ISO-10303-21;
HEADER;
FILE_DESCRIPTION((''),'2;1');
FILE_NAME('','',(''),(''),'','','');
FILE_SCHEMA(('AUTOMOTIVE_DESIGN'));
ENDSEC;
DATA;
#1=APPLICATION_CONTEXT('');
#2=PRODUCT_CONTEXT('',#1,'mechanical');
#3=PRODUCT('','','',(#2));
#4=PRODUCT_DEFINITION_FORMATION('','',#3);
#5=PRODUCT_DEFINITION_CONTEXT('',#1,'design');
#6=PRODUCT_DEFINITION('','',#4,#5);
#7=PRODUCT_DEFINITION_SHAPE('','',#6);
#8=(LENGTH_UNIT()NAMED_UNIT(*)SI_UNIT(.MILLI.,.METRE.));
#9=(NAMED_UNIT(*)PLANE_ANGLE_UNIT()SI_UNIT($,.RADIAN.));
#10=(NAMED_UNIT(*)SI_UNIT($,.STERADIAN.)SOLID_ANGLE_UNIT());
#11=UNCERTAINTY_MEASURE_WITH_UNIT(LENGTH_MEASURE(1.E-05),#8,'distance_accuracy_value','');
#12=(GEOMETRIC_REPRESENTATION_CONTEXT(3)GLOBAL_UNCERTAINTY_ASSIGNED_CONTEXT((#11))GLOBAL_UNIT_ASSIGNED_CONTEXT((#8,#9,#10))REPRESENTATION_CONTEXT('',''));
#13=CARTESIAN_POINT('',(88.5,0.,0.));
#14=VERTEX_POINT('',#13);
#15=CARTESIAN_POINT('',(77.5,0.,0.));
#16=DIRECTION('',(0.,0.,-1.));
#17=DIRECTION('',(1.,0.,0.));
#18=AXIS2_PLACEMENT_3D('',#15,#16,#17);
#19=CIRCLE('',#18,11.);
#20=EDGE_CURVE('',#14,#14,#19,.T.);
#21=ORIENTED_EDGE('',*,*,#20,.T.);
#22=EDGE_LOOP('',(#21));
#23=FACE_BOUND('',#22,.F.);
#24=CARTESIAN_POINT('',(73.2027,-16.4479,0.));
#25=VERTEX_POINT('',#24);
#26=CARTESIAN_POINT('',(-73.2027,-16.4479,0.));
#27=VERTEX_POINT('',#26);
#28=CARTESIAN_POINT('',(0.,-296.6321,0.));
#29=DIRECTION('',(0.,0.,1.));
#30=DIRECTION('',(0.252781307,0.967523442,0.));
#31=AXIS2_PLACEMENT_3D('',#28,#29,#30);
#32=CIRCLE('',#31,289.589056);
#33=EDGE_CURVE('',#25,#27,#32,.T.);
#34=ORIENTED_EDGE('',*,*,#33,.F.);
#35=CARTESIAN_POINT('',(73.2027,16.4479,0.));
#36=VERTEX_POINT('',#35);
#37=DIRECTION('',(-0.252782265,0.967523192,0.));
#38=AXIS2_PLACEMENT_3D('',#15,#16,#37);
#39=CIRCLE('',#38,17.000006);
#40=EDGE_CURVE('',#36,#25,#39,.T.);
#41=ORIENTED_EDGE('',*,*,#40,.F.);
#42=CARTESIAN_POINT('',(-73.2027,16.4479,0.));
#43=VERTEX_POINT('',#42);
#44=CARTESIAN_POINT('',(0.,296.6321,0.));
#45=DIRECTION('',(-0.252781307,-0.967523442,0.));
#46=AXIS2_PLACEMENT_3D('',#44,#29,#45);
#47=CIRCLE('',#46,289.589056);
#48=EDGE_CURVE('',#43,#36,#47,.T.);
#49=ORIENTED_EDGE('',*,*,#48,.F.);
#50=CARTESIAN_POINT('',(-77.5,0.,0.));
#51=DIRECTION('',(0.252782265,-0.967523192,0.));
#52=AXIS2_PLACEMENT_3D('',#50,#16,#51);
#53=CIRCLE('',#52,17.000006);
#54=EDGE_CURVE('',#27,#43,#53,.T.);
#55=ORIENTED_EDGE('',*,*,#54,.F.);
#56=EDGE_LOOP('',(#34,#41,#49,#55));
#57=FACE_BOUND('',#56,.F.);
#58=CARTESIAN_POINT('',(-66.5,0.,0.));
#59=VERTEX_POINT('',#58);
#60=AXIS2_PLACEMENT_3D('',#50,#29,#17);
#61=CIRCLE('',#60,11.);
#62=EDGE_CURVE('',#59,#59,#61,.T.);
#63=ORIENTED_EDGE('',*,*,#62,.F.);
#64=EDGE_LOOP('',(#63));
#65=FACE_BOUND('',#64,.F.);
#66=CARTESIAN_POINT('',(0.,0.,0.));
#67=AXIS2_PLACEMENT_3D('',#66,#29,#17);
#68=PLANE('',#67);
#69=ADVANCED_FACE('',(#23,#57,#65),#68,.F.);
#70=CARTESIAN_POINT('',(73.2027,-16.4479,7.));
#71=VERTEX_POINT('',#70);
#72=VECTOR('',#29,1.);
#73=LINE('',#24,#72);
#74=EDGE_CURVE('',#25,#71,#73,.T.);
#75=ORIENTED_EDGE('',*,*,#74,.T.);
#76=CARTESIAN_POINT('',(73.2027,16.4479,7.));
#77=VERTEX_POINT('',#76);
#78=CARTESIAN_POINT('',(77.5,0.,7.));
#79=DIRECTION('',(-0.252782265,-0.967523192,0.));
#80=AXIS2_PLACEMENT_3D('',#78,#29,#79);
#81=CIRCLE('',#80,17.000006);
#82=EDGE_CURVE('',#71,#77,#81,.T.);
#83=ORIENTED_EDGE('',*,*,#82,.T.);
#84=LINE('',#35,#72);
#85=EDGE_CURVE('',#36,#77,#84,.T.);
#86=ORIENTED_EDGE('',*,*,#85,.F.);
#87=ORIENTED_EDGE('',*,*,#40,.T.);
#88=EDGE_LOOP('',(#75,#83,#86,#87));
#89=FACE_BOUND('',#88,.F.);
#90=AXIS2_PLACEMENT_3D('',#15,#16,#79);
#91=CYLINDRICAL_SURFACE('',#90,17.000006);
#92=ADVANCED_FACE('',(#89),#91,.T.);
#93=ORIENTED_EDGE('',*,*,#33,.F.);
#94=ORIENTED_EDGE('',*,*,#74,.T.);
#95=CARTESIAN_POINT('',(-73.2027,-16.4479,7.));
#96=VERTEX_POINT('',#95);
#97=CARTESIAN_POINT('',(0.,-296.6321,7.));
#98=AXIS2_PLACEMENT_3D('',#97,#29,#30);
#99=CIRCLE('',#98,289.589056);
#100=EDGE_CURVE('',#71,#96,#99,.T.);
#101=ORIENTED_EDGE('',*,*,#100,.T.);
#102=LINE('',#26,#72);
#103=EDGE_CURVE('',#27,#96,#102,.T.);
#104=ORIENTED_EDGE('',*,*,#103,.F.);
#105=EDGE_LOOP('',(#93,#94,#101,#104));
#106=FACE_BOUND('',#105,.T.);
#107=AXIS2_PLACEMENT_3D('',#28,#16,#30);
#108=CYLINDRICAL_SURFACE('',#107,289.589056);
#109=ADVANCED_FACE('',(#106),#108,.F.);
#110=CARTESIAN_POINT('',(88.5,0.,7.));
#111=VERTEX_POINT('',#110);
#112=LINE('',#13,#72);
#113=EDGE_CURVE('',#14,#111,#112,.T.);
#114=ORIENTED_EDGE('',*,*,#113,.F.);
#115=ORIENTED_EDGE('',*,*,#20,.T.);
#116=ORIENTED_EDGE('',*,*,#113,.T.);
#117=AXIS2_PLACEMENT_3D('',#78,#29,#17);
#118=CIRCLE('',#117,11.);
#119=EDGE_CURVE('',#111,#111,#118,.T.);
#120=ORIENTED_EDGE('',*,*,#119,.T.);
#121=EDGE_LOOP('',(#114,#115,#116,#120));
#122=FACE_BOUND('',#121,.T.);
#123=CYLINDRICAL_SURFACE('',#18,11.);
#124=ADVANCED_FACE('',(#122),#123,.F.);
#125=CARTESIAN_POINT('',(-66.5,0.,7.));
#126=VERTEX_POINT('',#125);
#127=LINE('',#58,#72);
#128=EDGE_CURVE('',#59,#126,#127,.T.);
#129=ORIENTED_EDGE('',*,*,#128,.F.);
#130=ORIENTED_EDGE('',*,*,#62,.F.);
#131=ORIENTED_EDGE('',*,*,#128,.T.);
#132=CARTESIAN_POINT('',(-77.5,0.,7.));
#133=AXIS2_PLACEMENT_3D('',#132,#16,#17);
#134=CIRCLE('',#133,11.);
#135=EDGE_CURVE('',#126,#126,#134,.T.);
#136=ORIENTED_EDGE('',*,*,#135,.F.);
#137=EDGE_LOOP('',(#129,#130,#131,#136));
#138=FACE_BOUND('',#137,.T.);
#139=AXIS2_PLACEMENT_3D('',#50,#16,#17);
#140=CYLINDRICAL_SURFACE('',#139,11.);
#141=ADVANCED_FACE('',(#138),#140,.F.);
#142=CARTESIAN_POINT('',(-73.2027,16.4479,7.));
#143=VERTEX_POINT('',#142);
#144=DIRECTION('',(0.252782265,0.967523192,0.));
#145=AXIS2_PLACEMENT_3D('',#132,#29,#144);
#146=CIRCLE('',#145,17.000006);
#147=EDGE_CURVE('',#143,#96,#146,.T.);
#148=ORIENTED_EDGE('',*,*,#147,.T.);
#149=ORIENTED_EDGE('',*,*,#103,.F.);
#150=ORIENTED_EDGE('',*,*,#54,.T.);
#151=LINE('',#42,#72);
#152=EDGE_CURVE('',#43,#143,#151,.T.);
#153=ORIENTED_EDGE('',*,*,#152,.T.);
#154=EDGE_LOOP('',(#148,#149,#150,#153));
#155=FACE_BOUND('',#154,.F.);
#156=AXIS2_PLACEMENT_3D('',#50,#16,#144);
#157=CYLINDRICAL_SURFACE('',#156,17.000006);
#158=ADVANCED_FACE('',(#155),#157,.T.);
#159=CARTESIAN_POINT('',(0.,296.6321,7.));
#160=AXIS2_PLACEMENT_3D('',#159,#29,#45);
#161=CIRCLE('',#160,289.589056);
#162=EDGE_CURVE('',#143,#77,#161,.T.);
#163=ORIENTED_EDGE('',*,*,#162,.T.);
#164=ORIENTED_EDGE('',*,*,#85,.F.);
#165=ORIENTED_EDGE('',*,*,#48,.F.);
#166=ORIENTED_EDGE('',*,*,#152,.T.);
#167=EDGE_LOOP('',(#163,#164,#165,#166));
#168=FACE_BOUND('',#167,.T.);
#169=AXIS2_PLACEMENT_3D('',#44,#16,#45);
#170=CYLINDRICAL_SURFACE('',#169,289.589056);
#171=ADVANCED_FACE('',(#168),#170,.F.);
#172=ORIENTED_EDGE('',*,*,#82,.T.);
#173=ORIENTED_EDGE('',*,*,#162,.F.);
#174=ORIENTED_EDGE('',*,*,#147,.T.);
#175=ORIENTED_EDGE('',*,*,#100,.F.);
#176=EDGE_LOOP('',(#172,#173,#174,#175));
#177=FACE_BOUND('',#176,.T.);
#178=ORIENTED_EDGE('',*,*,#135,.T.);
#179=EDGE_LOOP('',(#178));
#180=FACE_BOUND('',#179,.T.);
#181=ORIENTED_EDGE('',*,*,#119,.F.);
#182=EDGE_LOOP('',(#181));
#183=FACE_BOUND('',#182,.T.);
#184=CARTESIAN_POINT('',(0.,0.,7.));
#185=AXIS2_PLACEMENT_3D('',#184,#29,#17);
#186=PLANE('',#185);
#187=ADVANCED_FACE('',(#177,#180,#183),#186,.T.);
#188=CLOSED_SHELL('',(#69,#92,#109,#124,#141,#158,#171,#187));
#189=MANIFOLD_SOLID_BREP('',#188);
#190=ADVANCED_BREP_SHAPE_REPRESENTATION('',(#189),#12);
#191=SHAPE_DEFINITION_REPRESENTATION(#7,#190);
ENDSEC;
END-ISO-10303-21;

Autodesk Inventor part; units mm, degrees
ref_plane "YZ Plane" through (0, 0, 0) normal (1, 0, 0) x (0, 1, 0)
ref_plane "XZ Plane" through (0, 0, 0) normal (0, 1, 0) x (-1, 0, 0)
ref_plane "XY Plane" through (0, 0, 0) normal (0, 0, 1) x (1, 0, 0)
sketch "Sketch1" plane through (0, 0, 0) normal (0, 0, 1) x (1, 0, 0)
  circle A0 centre (-77.5, 0) radius 11
  circle A1 centre (77.5, 0) radius 11
  arc A2 (-73.2027, 16.4479) -> (-73.2027, -16.4479) centre (-77.5, 0) ccw
  arc A3 (73.2027, -16.4479) -> (73.2027, 16.4479) centre (77.5, 0) ccw
  line L0 (-108.3592, 0) -> (107.2374, 0)
  arc A4 (-73.2027, 16.4479) -> (73.2027, 16.4479) centre (0, 296.6321) ccw
  arc A5 (73.2027, -16.4479) -> (-73.2027, -16.4479) centre (0, -296.6321) ccw
  point P0 (0, 0)
  dimension "d0" = 22
  dimension "d1" = 22
  dimension "d2" = 155
  dimension "d3" = 77.5
  dimension "d4" = 6
  dimension "d5" = 6
extrude "Extrusion1" add sketch "Sketch1" along normal blind 7 contours L0 A1 A3 A5 A2 A0 | A0 L0 A2 A4 A3 A1
equation "\"d3\" = 0.5 * d2"
properties part number "Arm 15X - actuator linkage"
